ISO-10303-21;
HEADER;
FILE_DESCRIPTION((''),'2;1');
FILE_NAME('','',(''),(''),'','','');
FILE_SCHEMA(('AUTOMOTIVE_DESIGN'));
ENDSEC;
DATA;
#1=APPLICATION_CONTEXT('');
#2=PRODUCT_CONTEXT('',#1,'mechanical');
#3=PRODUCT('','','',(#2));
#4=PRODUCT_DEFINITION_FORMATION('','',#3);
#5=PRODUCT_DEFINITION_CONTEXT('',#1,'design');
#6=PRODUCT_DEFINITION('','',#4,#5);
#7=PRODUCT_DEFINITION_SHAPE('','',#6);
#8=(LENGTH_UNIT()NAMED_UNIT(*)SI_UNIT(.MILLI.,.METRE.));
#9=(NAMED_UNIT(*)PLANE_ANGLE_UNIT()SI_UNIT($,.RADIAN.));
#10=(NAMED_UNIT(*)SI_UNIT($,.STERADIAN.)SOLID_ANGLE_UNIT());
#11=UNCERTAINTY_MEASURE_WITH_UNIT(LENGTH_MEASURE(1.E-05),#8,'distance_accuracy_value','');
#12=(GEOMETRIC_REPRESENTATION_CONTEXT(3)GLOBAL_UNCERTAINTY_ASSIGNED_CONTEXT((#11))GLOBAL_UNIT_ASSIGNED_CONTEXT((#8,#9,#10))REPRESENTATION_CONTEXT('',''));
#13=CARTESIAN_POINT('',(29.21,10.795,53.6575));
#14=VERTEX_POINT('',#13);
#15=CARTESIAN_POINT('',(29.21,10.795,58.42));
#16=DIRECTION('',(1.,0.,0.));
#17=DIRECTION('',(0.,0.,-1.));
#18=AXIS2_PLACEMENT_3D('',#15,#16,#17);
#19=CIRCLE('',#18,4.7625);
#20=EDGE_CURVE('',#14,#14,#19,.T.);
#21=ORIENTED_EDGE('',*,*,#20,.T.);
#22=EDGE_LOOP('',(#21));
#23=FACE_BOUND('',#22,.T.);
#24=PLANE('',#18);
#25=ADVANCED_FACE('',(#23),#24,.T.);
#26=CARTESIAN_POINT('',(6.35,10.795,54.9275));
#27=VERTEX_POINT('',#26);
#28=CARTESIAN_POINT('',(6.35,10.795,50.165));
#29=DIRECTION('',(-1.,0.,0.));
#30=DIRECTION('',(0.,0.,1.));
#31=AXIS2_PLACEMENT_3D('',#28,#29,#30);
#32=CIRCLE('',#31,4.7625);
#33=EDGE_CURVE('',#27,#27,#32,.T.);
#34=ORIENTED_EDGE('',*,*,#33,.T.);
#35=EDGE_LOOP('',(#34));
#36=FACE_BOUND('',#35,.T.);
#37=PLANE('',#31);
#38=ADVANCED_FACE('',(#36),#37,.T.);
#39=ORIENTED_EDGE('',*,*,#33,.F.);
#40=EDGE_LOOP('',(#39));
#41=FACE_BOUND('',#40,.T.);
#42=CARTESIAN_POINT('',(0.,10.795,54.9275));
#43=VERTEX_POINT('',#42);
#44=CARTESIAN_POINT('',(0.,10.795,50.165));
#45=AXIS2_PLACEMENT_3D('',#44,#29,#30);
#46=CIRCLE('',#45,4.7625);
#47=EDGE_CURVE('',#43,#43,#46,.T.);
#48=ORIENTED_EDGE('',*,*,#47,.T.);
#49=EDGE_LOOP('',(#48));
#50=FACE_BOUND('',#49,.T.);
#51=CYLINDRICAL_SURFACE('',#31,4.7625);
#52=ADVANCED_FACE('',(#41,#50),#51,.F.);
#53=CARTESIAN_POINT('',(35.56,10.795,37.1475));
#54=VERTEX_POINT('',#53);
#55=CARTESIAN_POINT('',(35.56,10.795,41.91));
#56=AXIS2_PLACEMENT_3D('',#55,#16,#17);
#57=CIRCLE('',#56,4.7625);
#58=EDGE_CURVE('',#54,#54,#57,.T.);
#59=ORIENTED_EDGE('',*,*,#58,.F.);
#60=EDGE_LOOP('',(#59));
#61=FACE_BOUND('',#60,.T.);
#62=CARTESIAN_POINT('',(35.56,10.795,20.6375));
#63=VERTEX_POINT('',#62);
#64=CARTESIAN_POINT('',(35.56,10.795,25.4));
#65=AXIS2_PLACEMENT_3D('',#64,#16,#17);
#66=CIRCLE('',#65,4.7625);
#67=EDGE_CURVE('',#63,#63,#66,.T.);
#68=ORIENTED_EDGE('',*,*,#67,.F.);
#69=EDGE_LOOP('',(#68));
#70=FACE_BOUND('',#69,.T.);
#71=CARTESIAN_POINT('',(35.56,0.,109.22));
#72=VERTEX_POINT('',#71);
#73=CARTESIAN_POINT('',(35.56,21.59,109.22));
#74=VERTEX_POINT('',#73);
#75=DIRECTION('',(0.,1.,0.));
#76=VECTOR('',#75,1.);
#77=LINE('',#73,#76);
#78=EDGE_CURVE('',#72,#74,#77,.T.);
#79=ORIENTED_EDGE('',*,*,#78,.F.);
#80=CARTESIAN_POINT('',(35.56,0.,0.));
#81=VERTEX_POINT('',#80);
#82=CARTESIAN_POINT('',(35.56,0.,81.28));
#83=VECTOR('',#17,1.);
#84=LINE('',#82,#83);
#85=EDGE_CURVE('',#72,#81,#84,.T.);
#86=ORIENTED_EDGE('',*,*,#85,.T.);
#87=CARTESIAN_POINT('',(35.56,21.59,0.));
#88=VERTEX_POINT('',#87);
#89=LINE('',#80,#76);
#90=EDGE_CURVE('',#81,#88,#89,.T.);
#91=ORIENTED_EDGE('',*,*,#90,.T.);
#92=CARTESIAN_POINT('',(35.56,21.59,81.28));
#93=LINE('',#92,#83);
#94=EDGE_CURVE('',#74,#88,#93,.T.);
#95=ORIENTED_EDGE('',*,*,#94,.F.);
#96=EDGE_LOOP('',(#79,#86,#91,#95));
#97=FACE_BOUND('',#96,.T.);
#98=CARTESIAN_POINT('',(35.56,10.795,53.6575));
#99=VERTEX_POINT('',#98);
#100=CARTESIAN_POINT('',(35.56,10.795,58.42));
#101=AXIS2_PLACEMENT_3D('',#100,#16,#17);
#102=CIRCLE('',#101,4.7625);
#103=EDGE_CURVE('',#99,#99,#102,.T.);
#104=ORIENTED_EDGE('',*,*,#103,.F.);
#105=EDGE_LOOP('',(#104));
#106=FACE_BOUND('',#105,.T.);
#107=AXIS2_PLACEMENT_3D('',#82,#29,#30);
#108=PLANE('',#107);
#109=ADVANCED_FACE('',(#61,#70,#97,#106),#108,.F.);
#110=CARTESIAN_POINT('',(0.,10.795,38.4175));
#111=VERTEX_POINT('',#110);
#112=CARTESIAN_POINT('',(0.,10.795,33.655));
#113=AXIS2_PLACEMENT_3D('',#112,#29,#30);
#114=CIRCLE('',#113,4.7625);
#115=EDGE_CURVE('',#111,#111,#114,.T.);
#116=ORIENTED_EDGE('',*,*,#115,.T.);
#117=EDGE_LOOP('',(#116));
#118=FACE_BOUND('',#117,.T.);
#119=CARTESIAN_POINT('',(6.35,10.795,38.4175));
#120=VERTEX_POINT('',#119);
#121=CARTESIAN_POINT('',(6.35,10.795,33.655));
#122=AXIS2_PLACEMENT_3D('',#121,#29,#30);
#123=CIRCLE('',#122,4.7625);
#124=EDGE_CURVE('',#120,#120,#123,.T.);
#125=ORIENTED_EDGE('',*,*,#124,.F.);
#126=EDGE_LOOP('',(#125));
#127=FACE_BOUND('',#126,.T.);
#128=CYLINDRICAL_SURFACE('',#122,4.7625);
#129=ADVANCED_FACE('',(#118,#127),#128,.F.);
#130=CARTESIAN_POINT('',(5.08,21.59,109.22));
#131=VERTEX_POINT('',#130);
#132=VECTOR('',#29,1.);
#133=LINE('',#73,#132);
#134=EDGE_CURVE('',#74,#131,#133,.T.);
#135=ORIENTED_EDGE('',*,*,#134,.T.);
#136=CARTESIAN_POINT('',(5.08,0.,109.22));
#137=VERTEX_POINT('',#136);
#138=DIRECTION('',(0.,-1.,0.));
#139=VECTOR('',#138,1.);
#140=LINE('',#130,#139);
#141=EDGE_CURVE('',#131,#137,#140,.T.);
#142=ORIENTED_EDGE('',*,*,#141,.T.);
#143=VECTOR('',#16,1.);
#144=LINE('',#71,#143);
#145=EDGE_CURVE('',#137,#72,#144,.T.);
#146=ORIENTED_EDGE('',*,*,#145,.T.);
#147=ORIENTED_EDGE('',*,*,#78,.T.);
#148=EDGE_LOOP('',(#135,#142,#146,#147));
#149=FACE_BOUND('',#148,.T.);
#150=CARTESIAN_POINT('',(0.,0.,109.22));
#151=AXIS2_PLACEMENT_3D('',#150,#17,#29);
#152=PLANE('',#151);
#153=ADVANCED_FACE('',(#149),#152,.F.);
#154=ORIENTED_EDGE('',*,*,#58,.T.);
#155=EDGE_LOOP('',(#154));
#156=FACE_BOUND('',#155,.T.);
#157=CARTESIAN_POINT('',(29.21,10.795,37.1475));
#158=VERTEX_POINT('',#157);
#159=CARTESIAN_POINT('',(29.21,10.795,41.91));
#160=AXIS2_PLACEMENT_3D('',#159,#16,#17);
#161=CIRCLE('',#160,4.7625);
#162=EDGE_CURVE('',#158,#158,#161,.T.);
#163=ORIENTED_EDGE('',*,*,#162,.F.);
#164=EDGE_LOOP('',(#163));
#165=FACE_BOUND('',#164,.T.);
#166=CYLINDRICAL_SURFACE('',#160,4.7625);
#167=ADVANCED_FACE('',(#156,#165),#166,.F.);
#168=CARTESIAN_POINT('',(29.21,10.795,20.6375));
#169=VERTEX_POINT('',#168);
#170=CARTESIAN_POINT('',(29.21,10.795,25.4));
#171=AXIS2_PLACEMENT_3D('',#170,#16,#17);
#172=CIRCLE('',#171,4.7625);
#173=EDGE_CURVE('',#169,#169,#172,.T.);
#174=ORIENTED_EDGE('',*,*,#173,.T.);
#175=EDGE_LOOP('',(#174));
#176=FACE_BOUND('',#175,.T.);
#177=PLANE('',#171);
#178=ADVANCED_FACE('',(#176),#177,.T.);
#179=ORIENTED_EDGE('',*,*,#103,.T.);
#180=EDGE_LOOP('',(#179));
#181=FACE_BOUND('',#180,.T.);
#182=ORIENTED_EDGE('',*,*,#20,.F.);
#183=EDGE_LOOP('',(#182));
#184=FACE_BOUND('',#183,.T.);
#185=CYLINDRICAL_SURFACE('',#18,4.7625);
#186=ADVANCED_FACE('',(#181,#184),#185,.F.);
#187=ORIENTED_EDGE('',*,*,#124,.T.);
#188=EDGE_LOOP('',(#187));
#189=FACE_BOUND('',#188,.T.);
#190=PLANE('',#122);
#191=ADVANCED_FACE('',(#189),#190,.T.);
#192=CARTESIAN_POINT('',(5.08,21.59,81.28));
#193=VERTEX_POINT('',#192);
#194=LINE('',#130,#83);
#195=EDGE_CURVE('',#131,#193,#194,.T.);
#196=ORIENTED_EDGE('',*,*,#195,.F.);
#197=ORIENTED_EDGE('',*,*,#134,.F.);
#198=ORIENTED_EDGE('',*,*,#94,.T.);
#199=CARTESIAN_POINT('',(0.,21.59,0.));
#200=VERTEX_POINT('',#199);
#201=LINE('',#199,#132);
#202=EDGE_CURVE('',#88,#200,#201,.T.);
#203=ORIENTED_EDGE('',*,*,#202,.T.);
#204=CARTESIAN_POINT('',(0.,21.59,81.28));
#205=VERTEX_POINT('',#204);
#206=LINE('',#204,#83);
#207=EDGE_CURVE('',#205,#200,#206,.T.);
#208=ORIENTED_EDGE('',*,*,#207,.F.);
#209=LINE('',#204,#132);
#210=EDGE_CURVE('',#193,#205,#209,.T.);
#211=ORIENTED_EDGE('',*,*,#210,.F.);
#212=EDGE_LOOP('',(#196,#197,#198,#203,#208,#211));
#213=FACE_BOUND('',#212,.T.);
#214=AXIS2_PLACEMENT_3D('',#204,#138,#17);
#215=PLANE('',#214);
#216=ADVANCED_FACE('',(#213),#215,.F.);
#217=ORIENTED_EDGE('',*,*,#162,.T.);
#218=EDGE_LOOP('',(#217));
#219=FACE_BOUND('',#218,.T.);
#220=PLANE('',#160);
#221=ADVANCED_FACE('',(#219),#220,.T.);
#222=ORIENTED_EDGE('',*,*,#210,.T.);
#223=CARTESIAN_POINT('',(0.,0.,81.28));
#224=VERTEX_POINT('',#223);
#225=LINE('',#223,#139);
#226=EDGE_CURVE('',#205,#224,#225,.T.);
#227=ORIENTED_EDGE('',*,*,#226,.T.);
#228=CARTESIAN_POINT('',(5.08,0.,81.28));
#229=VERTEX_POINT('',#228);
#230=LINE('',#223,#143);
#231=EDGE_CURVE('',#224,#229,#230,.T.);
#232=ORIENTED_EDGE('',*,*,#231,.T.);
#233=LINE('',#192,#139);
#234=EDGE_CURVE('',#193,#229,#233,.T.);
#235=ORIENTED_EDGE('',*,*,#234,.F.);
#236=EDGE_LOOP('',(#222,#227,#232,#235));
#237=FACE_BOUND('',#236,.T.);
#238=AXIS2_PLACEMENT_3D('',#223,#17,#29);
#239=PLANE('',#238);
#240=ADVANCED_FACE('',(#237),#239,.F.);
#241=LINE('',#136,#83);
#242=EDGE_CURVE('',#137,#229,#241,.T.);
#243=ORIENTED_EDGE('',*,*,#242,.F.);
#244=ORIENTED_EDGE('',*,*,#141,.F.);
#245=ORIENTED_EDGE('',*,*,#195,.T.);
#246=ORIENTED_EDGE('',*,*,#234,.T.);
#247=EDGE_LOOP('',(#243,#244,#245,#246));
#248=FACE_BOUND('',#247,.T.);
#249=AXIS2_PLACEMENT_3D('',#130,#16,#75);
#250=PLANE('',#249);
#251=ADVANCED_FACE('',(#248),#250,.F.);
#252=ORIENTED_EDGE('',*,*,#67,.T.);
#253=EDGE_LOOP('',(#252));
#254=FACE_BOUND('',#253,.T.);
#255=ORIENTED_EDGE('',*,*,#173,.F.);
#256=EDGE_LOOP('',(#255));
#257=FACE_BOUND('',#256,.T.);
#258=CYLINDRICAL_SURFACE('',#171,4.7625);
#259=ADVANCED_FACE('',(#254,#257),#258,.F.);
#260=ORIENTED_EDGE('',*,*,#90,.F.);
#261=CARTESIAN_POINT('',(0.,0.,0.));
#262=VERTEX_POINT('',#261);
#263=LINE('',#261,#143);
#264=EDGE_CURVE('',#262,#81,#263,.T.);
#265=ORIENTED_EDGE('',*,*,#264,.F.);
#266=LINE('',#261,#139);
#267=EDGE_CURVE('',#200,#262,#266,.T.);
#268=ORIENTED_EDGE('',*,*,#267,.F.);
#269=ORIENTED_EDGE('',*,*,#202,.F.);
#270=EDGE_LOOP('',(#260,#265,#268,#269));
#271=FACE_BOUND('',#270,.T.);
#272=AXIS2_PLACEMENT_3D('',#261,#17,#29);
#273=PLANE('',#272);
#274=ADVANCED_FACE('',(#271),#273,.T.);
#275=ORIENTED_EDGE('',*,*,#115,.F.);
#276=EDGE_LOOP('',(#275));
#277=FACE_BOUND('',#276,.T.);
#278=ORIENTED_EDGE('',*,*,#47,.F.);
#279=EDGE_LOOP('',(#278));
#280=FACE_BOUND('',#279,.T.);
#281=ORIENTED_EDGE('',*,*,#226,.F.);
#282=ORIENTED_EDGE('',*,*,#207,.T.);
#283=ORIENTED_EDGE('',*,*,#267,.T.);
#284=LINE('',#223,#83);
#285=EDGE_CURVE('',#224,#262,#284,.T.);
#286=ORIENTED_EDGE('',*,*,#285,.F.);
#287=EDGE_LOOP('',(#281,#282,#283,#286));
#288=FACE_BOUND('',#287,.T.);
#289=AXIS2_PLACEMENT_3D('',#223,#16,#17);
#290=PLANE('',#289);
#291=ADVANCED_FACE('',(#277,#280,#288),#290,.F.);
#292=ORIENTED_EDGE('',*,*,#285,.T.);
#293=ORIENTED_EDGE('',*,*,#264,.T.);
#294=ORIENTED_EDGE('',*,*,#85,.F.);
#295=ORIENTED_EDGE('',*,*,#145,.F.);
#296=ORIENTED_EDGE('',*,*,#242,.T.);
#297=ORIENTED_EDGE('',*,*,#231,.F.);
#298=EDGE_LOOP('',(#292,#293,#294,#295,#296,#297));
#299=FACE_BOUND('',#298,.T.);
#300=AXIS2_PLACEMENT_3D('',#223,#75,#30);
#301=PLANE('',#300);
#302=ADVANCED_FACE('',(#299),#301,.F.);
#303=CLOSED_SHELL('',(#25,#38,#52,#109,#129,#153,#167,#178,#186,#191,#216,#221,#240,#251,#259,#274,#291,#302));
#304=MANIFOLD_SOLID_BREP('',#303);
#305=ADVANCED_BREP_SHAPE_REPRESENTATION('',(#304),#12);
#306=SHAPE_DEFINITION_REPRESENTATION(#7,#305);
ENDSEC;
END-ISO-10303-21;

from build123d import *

# Parameters (mm, degrees)
SKETCH1_W           = 35.56
SKETCH1_H           = 21.59
BOSS_EXTRUDE1_DEPTH = 81.28
SKETCH2_W           = 30.48
SKETCH2_H           = 21.59
BOSS_EXTRUDE2_DEPTH = 27.94
SKETCH3_R           = 4.7625
CUT_EXTRUDE1_DEPTH  = 6.35
SKETCH4_R           = 4.7625
CUT_EXTRUDE2_DEPTH  = 6.35


with BuildPart() as part:
    # Sketch1 → Boss-Extrude1 (new body)
    with BuildSketch(Plane.XY):
        with Locations((17.78, 10.795)):
            Rectangle(SKETCH1_W, SKETCH1_H)
    extrude(amount=BOSS_EXTRUDE1_DEPTH)

    # Sketch2 → Boss-Extrude2 (add)
    with BuildSketch(Plane.XY.offset(81.28)):
        with Locations((20.32, 10.795)):
            Rectangle(SKETCH2_W, SKETCH2_H)
    extrude(amount=BOSS_EXTRUDE2_DEPTH)

    # Sketch3 → Cut-Extrude1 (cut)
    with BuildSketch(Plane(origin=(35.56, 0, 0), x_dir=(0, 0, -1), z_dir=(1, 0, 0))):
        with Locations((-25.4, 10.795)):
            Circle(SKETCH3_R)
        with Locations((-41.91, 10.795)):
            Circle(SKETCH3_R)
        with Locations((-58.42, 10.795)):
            Circle(SKETCH3_R)
    extrude(amount=-CUT_EXTRUDE1_DEPTH, mode=Mode.SUBTRACT)

    # Sketch4 → Cut-Extrude2 (cut)
    with BuildSketch(Plane.ZY):
        with Locations((33.655, 10.795)):
            Circle(SKETCH4_R)
        with Locations((50.165, 10.795)):
            Circle(SKETCH4_R)
    extrude(amount=-CUT_EXTRUDE2_DEPTH, mode=Mode.SUBTRACT)


solid = part.part
